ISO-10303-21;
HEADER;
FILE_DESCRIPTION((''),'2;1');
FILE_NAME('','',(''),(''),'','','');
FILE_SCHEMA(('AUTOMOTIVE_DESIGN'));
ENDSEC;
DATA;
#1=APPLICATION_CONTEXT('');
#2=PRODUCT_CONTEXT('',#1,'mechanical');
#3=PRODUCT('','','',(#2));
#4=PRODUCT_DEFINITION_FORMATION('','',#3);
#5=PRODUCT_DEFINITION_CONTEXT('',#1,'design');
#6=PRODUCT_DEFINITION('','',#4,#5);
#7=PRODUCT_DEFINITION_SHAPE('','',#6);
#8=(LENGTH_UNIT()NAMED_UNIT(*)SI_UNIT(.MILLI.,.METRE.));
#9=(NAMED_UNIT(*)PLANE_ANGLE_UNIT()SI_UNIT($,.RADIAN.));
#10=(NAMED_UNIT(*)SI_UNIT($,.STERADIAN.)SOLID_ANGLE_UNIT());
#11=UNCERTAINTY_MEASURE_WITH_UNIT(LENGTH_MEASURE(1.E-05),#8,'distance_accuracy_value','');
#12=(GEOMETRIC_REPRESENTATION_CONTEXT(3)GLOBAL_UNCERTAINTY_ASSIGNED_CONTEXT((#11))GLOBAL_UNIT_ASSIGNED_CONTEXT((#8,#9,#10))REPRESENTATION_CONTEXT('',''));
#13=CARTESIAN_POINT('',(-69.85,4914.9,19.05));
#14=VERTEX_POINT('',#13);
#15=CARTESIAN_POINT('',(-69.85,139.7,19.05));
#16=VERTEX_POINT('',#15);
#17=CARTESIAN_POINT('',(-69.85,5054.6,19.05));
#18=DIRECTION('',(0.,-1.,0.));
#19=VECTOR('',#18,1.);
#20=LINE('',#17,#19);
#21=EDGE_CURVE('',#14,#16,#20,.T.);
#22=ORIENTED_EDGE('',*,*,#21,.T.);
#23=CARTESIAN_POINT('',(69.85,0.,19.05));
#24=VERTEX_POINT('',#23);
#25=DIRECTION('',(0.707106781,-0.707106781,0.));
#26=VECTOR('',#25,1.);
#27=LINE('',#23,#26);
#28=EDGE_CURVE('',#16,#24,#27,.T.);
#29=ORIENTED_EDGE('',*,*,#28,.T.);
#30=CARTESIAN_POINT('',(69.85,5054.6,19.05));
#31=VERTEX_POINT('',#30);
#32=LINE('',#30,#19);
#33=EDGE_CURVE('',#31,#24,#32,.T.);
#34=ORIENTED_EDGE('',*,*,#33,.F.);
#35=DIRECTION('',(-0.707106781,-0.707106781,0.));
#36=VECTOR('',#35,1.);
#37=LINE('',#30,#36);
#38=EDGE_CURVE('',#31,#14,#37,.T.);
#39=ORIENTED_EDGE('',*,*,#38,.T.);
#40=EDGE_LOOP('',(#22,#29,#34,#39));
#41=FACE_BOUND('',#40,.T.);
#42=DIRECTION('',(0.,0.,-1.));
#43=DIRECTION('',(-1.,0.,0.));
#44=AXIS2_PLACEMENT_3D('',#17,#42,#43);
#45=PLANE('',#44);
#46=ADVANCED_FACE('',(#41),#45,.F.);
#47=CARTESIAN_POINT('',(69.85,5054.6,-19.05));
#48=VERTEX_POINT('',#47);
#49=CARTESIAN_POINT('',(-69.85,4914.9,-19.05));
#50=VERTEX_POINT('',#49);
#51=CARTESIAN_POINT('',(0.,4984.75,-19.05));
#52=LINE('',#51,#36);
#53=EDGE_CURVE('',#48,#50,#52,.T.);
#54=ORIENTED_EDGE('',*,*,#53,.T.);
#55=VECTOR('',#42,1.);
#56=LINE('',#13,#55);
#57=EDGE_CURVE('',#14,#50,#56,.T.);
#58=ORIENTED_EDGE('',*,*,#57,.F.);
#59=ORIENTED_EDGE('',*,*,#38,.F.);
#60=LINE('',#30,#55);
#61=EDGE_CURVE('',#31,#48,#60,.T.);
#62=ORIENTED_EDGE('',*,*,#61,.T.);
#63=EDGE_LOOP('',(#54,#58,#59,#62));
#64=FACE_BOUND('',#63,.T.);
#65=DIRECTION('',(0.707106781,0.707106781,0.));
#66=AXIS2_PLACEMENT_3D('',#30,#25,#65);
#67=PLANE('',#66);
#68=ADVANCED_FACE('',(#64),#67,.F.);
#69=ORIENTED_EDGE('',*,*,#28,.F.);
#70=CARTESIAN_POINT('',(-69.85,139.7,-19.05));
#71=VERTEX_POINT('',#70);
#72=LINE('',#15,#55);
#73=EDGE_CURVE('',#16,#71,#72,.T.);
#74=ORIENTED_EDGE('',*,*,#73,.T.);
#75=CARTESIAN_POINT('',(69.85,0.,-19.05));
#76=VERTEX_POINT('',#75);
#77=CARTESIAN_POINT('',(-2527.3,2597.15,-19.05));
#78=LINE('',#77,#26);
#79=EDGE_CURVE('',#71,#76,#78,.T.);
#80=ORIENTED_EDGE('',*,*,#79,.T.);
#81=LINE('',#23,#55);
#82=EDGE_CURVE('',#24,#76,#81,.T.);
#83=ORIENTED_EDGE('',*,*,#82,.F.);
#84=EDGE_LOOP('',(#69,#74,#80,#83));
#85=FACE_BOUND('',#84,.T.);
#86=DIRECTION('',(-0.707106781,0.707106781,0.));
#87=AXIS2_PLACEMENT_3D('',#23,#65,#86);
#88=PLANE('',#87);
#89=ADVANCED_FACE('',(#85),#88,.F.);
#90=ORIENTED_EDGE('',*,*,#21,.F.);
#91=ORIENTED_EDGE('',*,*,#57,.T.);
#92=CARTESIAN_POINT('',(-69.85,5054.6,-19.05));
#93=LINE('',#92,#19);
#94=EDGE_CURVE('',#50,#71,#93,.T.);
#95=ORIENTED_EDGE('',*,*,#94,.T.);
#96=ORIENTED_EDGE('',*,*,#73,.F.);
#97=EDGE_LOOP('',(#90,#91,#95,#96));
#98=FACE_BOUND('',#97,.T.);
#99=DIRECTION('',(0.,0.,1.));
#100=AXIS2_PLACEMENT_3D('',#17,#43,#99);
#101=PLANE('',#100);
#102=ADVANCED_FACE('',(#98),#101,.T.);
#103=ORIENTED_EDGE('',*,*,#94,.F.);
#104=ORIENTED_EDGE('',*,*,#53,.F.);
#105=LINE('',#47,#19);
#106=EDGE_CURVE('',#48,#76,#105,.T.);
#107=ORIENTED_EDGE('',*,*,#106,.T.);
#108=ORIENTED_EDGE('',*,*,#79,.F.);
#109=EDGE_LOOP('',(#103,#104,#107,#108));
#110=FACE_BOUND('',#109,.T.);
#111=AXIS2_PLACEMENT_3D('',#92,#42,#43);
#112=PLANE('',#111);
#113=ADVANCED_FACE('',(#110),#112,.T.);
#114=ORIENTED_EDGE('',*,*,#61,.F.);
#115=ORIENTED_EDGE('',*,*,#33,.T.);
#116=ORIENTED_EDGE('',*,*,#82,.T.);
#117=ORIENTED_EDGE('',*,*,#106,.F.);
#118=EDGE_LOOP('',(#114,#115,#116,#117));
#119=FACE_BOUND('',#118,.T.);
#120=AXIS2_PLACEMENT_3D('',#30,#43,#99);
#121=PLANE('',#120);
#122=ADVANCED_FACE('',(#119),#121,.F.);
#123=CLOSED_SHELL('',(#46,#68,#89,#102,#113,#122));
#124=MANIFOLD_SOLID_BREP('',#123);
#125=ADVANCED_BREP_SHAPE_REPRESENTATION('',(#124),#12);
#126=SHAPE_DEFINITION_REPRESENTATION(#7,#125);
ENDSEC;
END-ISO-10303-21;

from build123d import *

# Parameters (mm, degrees)
SKETCH1_W               = 139.7
SKETCH1_H               = 38.1
BOSS_EXTRUDE1_DEPTH     = 5054.6
CUT_EXTRUDE1_DEPTH      = 1
CUT_EXTRUDE1_DEPTH_BACK = 39.1


with BuildPart() as part:
    # Sketch1 → Boss-Extrude1 (new body)
    with BuildSketch(Plane(origin=(0, 0, 0), x_dir=(1, 0, 0), z_dir=(0, 1, 0))):
        Rectangle(SKETCH1_W, SKETCH1_H)
    extrude(amount=BOSS_EXTRUDE1_DEPTH)

    # Sketch2 → Cut-Extrude1 (cut, two sides)
    with BuildSketch(Plane(origin=(0, 0, -19.05), x_dir=(-1, 0, 0), z_dir=(0, 0, -1))) as cut_extrude1_sk:
        Polygon((-69.85, 0), (69.85, 139.7), (69.85, 0), align=None)
        Polygon((-69.85, 5054.6), (69.85, 4914.9), (69.85, 5054.6), align=None)
    extrude(amount=CUT_EXTRUDE1_DEPTH, mode=Mode.SUBTRACT)
    extrude(cut_extrude1_sk.sketch, amount=-CUT_EXTRUDE1_DEPTH_BACK, mode=Mode.SUBTRACT)


solid = part.part
